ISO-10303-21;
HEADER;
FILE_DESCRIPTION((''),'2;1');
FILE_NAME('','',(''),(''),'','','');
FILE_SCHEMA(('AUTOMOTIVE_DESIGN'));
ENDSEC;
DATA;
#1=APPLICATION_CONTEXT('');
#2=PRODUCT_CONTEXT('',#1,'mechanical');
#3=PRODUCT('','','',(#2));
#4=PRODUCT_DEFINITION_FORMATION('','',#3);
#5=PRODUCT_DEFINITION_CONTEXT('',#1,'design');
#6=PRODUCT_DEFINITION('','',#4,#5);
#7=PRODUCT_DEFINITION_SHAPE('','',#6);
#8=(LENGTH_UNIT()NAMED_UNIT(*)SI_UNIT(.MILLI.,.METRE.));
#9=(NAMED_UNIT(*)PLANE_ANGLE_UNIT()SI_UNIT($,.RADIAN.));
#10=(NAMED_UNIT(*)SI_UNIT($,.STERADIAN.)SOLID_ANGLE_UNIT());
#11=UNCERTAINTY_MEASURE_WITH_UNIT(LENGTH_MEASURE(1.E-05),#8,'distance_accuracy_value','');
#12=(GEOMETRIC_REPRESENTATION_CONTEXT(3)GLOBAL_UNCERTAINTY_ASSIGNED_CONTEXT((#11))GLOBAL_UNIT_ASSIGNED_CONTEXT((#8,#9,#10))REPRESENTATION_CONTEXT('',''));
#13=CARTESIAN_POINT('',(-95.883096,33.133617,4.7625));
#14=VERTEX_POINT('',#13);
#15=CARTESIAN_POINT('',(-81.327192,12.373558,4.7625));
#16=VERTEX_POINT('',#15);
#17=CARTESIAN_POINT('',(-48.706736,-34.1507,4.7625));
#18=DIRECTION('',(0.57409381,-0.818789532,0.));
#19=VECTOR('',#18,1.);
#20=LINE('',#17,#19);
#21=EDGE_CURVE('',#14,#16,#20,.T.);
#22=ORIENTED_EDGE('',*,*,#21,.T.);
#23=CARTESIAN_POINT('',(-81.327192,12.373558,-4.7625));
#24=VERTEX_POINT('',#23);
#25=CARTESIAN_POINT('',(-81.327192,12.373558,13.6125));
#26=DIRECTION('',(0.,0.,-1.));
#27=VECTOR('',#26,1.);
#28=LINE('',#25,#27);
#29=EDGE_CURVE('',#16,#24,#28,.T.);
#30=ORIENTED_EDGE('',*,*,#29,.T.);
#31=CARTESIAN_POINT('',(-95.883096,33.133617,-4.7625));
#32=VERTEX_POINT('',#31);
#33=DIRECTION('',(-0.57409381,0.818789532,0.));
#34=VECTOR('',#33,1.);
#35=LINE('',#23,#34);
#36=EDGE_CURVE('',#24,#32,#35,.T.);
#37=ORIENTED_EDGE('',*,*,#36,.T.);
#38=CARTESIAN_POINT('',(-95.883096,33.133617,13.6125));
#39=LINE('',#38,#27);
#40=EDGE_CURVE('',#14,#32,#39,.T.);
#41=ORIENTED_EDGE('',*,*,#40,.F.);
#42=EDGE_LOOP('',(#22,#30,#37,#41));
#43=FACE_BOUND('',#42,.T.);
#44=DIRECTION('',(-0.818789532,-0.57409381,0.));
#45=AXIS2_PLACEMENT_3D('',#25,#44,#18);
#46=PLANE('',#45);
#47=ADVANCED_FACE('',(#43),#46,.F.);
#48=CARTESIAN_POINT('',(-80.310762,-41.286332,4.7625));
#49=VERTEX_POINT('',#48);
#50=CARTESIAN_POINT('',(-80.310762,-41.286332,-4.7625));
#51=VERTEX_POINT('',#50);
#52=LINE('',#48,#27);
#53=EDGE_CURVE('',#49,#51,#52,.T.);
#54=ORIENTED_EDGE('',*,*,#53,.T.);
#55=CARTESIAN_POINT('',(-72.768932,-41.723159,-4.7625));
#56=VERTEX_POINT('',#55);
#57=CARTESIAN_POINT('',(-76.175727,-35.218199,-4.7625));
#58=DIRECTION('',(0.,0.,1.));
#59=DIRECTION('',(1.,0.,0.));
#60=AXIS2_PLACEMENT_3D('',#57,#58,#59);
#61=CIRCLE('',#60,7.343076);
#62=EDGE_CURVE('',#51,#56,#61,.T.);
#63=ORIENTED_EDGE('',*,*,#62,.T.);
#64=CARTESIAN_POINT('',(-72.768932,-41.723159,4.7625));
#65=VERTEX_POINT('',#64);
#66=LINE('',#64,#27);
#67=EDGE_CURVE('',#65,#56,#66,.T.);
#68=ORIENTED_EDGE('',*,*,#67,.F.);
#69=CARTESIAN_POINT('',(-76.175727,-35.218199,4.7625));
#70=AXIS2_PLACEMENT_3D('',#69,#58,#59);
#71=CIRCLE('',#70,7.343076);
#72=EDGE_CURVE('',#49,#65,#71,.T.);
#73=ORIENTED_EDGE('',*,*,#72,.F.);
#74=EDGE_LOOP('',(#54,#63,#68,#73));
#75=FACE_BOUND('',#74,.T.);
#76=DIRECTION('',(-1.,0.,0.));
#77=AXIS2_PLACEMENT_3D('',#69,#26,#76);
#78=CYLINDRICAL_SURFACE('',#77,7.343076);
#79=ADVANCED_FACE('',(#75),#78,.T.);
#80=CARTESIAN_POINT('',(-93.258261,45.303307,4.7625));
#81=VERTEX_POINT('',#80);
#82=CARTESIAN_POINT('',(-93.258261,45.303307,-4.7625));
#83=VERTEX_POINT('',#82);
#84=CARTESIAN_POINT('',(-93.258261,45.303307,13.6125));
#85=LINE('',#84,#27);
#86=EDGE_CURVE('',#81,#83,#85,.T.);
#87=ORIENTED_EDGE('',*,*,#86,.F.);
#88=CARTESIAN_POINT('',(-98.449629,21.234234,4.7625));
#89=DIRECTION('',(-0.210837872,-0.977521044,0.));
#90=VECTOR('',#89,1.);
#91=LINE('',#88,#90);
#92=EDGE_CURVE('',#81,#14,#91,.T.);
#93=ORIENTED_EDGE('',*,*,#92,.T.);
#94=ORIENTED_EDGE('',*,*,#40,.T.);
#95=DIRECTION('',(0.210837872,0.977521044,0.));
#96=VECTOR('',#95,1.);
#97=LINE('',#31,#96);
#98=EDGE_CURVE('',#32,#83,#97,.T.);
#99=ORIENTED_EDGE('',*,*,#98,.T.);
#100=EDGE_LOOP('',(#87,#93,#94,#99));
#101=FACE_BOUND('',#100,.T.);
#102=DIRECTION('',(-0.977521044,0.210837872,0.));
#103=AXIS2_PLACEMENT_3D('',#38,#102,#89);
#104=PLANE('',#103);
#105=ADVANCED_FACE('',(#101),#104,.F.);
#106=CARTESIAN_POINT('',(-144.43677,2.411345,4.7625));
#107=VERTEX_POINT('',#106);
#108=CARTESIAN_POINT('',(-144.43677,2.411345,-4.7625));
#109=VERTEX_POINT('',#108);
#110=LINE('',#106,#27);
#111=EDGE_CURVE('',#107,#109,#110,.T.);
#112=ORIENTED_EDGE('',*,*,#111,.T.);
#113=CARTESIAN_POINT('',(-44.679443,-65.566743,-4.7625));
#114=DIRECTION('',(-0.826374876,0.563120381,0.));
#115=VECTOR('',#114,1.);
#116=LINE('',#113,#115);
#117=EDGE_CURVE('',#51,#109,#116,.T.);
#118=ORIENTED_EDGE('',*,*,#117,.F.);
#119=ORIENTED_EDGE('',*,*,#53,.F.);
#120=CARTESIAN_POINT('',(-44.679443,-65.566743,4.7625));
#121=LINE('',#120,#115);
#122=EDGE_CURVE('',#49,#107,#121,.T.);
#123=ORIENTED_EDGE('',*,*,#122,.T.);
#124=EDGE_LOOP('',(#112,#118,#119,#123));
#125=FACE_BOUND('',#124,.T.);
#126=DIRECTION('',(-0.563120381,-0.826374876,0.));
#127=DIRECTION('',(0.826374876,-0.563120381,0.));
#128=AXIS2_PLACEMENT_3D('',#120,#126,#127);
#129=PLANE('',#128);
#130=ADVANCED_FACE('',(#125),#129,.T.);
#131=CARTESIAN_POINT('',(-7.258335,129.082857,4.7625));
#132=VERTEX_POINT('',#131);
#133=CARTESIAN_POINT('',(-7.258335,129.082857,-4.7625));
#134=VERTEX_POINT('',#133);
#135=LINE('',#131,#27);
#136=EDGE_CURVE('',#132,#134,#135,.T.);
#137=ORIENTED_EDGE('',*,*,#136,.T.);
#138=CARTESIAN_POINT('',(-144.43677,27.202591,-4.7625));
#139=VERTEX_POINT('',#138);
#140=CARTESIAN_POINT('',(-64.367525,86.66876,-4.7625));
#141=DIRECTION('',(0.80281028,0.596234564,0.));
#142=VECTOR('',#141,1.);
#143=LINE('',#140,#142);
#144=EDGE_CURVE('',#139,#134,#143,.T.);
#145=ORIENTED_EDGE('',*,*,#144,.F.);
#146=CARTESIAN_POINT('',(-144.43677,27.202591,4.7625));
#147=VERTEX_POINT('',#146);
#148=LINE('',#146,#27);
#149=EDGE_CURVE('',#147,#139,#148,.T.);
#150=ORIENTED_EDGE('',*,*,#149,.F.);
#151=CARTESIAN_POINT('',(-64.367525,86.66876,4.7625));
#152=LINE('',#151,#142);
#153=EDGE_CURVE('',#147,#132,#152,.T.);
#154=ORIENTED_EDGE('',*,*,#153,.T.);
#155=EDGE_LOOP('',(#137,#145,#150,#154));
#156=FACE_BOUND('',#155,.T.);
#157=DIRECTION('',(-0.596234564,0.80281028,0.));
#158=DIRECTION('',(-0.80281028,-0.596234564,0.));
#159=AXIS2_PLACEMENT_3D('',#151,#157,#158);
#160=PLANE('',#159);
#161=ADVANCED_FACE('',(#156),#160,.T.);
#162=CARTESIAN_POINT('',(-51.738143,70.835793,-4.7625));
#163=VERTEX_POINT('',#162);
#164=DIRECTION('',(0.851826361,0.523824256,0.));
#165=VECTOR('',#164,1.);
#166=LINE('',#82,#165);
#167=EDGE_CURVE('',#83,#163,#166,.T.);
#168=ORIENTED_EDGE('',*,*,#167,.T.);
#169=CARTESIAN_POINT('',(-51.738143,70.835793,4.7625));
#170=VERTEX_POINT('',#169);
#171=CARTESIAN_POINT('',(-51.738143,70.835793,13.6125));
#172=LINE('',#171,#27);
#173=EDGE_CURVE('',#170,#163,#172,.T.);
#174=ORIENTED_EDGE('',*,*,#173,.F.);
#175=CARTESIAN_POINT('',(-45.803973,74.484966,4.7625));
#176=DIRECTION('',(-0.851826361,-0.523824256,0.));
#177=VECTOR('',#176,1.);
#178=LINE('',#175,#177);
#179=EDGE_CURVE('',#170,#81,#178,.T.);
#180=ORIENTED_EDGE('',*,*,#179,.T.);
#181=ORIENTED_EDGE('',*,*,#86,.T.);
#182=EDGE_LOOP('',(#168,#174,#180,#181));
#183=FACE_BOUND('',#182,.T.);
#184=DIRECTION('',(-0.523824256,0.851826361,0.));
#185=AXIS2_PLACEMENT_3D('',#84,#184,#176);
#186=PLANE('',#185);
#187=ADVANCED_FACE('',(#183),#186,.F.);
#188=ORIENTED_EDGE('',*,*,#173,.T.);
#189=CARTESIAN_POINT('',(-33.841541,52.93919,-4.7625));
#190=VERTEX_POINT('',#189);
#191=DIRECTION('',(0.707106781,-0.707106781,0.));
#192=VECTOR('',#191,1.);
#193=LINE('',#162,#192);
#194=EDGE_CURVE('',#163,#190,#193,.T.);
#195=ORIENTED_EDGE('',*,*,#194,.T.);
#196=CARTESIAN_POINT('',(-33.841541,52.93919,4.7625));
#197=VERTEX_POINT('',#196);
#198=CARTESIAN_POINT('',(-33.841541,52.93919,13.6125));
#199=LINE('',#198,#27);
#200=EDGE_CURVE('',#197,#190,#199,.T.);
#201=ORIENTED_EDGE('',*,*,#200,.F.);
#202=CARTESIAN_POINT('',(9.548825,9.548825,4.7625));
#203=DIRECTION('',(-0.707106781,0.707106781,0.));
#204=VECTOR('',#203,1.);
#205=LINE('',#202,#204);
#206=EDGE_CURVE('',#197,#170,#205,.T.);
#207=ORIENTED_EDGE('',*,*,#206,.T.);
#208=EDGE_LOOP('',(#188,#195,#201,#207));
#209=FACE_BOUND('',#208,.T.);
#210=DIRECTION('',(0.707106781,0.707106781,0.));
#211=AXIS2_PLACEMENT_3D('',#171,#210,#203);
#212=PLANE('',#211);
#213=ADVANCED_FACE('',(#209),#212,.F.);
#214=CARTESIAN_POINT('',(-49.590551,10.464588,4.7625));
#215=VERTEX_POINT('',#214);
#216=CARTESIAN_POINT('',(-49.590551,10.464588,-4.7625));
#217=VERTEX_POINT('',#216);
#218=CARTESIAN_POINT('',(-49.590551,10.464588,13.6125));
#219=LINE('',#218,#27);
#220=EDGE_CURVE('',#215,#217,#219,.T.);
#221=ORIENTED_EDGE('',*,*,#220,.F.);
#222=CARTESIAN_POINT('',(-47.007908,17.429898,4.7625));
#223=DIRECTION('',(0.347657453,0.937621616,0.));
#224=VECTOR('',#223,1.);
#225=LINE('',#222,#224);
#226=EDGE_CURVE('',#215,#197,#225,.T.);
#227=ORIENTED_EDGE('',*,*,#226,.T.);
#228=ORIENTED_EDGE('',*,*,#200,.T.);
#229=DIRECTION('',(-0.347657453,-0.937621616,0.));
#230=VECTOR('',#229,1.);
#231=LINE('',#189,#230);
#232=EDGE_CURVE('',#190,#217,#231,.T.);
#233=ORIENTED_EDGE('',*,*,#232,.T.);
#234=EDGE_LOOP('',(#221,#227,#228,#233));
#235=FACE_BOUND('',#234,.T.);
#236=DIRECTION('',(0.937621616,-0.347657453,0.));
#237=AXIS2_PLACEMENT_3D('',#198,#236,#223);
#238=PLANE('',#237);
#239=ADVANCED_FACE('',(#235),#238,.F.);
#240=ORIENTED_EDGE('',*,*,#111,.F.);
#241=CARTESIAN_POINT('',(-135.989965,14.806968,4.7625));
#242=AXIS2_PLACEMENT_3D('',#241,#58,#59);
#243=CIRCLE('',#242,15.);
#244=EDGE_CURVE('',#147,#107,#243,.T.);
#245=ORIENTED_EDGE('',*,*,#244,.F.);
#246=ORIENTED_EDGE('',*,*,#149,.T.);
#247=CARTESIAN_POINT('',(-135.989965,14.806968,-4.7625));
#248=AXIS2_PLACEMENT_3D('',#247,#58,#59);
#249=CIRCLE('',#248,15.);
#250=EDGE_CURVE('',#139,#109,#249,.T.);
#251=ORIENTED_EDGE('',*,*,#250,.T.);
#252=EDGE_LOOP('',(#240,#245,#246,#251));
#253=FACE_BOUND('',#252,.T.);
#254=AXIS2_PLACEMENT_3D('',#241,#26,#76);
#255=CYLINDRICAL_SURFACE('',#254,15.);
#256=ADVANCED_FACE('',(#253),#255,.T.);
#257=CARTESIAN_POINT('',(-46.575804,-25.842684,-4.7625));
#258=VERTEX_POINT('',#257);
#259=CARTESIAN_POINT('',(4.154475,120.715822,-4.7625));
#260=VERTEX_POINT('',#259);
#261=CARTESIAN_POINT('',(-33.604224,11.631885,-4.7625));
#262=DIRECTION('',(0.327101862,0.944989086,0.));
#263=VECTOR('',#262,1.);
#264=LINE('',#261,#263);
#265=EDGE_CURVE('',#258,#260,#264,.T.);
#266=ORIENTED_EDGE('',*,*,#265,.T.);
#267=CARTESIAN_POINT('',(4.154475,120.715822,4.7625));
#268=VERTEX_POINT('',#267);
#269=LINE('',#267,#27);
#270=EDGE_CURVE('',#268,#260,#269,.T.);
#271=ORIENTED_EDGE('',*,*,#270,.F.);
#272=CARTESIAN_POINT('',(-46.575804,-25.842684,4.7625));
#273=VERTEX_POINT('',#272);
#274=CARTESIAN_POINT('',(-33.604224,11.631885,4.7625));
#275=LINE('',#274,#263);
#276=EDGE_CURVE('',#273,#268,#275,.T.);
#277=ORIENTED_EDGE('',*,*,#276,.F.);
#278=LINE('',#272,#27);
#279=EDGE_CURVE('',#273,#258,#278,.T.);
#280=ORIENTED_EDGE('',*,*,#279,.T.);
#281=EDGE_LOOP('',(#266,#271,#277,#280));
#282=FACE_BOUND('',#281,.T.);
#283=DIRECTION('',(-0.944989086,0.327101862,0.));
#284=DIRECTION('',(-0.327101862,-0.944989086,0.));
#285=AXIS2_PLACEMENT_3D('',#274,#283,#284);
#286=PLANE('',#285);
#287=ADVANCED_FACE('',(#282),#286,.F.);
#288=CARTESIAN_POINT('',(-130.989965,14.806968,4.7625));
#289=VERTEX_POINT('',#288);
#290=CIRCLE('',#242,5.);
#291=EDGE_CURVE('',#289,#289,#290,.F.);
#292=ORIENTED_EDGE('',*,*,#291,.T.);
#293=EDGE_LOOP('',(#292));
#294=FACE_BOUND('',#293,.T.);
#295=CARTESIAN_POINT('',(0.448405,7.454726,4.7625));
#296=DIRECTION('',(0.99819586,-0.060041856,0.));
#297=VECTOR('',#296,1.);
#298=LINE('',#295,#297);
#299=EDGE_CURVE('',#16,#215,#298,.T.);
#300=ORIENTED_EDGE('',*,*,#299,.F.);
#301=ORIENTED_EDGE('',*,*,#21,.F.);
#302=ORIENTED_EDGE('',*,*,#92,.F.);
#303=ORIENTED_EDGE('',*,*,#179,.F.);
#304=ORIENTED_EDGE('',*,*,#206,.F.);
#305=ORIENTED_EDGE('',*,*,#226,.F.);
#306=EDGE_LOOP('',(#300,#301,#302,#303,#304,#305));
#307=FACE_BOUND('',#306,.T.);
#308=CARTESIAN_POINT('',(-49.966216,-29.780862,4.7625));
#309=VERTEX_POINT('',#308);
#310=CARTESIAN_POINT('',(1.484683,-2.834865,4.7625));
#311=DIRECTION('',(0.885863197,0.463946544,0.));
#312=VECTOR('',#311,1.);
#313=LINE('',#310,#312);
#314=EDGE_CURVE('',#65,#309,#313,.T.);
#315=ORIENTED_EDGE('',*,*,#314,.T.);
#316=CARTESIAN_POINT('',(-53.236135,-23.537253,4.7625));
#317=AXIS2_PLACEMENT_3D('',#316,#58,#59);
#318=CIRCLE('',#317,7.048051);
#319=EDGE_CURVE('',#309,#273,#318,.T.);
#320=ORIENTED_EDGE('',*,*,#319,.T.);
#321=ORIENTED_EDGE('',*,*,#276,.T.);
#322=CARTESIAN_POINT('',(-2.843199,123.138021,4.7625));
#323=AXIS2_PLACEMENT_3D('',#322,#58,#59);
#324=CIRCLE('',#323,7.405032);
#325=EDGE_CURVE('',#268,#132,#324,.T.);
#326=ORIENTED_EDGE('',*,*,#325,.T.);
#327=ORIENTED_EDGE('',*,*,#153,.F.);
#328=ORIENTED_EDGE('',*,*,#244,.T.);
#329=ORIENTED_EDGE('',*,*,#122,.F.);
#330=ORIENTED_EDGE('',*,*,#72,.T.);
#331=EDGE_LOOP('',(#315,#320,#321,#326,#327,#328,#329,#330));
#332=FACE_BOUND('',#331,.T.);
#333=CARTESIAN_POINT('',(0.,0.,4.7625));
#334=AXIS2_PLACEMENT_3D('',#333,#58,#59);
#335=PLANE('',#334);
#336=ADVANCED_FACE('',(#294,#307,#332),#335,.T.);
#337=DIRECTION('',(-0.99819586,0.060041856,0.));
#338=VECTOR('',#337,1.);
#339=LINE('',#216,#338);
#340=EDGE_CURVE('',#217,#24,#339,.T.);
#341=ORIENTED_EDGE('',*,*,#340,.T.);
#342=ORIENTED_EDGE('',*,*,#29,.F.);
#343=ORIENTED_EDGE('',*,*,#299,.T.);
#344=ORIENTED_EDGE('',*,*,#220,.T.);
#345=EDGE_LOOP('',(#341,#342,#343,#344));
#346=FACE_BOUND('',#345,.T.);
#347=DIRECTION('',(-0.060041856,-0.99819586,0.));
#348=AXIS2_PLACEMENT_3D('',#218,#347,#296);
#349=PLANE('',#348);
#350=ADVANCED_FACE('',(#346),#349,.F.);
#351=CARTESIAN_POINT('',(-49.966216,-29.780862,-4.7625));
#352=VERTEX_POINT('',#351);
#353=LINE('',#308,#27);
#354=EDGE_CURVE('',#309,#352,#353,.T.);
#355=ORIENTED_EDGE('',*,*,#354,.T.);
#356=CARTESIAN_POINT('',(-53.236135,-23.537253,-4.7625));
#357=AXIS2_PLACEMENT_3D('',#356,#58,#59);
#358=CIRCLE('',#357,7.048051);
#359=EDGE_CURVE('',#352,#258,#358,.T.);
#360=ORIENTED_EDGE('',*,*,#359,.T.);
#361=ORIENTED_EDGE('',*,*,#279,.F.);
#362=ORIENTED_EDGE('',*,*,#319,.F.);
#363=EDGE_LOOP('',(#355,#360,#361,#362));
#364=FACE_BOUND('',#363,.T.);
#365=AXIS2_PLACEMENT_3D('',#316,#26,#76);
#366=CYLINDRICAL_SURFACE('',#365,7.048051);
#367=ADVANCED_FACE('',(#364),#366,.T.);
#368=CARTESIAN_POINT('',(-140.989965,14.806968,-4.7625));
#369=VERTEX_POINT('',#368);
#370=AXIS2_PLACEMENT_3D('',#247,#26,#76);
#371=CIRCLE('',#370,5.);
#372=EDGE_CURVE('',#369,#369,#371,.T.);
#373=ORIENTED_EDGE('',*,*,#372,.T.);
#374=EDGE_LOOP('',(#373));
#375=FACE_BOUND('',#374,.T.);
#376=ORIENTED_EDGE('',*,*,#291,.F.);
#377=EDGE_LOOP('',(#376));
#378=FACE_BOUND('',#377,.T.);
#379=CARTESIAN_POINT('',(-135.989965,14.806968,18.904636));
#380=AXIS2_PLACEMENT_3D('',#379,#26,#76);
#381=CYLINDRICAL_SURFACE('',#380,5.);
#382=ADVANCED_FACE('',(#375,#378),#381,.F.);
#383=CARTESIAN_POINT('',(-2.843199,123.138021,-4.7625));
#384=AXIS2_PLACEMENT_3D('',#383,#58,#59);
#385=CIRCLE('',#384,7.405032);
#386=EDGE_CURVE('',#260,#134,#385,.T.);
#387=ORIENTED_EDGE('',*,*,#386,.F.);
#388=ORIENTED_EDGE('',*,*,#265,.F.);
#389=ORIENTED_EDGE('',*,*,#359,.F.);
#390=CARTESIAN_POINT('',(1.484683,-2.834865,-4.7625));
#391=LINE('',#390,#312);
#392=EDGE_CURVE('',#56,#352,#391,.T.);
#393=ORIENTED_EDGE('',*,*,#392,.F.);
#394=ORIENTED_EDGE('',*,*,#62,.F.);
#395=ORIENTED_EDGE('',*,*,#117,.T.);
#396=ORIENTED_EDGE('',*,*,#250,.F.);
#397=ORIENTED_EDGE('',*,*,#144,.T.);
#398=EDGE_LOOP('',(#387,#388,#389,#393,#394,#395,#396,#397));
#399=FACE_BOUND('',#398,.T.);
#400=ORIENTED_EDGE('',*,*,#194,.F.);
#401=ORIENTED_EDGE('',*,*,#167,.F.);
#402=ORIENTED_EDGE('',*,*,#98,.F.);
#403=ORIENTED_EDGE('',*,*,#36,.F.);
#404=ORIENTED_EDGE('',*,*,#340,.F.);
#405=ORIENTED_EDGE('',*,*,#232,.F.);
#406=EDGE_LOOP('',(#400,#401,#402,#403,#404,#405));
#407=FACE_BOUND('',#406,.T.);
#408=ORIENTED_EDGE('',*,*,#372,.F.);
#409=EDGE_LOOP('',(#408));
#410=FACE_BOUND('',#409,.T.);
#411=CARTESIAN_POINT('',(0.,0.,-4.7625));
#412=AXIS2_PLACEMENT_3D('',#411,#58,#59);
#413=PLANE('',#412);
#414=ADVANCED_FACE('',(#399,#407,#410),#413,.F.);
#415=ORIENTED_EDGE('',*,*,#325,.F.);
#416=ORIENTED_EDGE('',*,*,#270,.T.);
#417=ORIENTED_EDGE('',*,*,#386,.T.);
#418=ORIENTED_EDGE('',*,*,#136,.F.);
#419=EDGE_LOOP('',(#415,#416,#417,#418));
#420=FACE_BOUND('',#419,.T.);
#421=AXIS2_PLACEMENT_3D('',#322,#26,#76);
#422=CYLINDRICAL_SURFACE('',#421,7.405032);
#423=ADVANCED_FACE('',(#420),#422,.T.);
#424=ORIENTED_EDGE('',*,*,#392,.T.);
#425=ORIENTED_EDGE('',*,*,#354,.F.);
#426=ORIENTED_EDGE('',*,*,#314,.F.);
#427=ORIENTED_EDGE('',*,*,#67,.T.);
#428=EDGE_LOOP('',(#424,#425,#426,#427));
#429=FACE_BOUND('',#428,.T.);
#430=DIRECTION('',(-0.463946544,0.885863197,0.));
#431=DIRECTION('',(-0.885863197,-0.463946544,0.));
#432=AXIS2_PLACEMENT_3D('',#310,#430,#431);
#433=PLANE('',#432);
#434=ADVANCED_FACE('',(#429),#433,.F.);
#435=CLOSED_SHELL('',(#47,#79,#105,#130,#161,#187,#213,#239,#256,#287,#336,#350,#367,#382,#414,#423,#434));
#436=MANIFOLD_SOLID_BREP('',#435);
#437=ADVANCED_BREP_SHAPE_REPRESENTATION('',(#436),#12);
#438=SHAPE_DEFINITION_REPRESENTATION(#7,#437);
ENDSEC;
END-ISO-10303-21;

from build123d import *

# Parameters (mm, degrees)
SKETCH1_R           = 15
SKETCH1_R_2         = 7.343075537
SKETCH1_R_3         = 7.048050761
SKETCH1_R_4         = 7.405031705
BOSS_EXTRUDE1_DEPTH = 4.7625
SKETCH3_R           = 5
CUT_EXTRUDE1_DEPTH  = 9.525
CUT_EXTRUDE2_DEPTH  = 18.375


with BuildPart() as part:
    # Sketch1 → Boss-Extrude1 (new, symmetric)
    with BuildSketch(Plane.XY):
        with Locations((-135.989964622, 14.806967819)):
            Circle(SKETCH1_R)
        with BuildLine():
            Line((-144.43677034, 2.411344674), (-80.310762347, -41.286331891))
            ThreePointArc((-80.310762347, -41.286331891), (-79.60770007, -28.726487254), (-68.832651313, -35.218198752))
            ThreePointArc((-68.832651313, -35.218198752), (-69.89332652, -39.019804259), (-72.768932333, -41.723159126))
            Line((-72.768932333, -41.723159126), (-49.966216141, -29.780862162))
            ThreePointArc((-49.966216141, -29.780862162), (-59.266125529, -19.888386029), (-46.188084172, -23.53725338))
            ThreePointArc((-46.188084172, -23.53725338), (-46.285689954, -24.706156337), (-46.575803889, -25.842683907))
            Line((-46.575803889, -25.842683907), (4.15447513, 120.715821505))
            ThreePointArc((4.15447513, 120.715821505), (-7.221463009, 117.165978053), (-7.258334859, 129.082856736))
            Line((-7.258334859, 129.082856736), (-144.43677034, 27.202590964))
            ThreePointArc((-144.43677034, 27.202590964), (-128.979332902, 28.06785176), (-120.989964622, 14.806967819))
            ThreePointArc((-120.989964622, 14.806967819), (-128.979332902, 1.546083878), (-144.43677034, 2.411344674))
        make_face()
        with Locations((-76.175726851, -35.218198752)):
            Circle(SKETCH1_R_2)
        with Locations((-53.236134933, -23.53725338)):
            Circle(SKETCH1_R_3)
        with Locations((-2.84319901, 123.138021163)):
            Circle(SKETCH1_R_4)
    extrude(amount=BOSS_EXTRUDE1_DEPTH, both=True)

    # Sketch3 → Cut-Extrude1 (cut)
    with BuildSketch(Plane(origin=(0, 0, -4.7625), x_dir=(-1, 0, 0), z_dir=(0, 0, -1))):
        with Locations((135.989964622, 14.806967819)):
            Circle(SKETCH3_R)
    extrude(amount=-CUT_EXTRUDE1_DEPTH, mode=Mode.SUBTRACT)

    # Sketch5 → Cut-Extrude2 (cut)
    with BuildSketch(Plane(origin=(0, 0, -4.7625), x_dir=(-1, 0, 0), z_dir=(0, 0, -1))):
        Polygon((51.738143119, 70.835792845), (33.841540749, 52.939190474), (49.590550835, 10.464587516), (81.327192371, 12.373558435), (95.883095633, 33.133617185), (93.258260618, 45.303306796), align=None)
    extrude(amount=-CUT_EXTRUDE2_DEPTH, mode=Mode.SUBTRACT)


solid = part.part
